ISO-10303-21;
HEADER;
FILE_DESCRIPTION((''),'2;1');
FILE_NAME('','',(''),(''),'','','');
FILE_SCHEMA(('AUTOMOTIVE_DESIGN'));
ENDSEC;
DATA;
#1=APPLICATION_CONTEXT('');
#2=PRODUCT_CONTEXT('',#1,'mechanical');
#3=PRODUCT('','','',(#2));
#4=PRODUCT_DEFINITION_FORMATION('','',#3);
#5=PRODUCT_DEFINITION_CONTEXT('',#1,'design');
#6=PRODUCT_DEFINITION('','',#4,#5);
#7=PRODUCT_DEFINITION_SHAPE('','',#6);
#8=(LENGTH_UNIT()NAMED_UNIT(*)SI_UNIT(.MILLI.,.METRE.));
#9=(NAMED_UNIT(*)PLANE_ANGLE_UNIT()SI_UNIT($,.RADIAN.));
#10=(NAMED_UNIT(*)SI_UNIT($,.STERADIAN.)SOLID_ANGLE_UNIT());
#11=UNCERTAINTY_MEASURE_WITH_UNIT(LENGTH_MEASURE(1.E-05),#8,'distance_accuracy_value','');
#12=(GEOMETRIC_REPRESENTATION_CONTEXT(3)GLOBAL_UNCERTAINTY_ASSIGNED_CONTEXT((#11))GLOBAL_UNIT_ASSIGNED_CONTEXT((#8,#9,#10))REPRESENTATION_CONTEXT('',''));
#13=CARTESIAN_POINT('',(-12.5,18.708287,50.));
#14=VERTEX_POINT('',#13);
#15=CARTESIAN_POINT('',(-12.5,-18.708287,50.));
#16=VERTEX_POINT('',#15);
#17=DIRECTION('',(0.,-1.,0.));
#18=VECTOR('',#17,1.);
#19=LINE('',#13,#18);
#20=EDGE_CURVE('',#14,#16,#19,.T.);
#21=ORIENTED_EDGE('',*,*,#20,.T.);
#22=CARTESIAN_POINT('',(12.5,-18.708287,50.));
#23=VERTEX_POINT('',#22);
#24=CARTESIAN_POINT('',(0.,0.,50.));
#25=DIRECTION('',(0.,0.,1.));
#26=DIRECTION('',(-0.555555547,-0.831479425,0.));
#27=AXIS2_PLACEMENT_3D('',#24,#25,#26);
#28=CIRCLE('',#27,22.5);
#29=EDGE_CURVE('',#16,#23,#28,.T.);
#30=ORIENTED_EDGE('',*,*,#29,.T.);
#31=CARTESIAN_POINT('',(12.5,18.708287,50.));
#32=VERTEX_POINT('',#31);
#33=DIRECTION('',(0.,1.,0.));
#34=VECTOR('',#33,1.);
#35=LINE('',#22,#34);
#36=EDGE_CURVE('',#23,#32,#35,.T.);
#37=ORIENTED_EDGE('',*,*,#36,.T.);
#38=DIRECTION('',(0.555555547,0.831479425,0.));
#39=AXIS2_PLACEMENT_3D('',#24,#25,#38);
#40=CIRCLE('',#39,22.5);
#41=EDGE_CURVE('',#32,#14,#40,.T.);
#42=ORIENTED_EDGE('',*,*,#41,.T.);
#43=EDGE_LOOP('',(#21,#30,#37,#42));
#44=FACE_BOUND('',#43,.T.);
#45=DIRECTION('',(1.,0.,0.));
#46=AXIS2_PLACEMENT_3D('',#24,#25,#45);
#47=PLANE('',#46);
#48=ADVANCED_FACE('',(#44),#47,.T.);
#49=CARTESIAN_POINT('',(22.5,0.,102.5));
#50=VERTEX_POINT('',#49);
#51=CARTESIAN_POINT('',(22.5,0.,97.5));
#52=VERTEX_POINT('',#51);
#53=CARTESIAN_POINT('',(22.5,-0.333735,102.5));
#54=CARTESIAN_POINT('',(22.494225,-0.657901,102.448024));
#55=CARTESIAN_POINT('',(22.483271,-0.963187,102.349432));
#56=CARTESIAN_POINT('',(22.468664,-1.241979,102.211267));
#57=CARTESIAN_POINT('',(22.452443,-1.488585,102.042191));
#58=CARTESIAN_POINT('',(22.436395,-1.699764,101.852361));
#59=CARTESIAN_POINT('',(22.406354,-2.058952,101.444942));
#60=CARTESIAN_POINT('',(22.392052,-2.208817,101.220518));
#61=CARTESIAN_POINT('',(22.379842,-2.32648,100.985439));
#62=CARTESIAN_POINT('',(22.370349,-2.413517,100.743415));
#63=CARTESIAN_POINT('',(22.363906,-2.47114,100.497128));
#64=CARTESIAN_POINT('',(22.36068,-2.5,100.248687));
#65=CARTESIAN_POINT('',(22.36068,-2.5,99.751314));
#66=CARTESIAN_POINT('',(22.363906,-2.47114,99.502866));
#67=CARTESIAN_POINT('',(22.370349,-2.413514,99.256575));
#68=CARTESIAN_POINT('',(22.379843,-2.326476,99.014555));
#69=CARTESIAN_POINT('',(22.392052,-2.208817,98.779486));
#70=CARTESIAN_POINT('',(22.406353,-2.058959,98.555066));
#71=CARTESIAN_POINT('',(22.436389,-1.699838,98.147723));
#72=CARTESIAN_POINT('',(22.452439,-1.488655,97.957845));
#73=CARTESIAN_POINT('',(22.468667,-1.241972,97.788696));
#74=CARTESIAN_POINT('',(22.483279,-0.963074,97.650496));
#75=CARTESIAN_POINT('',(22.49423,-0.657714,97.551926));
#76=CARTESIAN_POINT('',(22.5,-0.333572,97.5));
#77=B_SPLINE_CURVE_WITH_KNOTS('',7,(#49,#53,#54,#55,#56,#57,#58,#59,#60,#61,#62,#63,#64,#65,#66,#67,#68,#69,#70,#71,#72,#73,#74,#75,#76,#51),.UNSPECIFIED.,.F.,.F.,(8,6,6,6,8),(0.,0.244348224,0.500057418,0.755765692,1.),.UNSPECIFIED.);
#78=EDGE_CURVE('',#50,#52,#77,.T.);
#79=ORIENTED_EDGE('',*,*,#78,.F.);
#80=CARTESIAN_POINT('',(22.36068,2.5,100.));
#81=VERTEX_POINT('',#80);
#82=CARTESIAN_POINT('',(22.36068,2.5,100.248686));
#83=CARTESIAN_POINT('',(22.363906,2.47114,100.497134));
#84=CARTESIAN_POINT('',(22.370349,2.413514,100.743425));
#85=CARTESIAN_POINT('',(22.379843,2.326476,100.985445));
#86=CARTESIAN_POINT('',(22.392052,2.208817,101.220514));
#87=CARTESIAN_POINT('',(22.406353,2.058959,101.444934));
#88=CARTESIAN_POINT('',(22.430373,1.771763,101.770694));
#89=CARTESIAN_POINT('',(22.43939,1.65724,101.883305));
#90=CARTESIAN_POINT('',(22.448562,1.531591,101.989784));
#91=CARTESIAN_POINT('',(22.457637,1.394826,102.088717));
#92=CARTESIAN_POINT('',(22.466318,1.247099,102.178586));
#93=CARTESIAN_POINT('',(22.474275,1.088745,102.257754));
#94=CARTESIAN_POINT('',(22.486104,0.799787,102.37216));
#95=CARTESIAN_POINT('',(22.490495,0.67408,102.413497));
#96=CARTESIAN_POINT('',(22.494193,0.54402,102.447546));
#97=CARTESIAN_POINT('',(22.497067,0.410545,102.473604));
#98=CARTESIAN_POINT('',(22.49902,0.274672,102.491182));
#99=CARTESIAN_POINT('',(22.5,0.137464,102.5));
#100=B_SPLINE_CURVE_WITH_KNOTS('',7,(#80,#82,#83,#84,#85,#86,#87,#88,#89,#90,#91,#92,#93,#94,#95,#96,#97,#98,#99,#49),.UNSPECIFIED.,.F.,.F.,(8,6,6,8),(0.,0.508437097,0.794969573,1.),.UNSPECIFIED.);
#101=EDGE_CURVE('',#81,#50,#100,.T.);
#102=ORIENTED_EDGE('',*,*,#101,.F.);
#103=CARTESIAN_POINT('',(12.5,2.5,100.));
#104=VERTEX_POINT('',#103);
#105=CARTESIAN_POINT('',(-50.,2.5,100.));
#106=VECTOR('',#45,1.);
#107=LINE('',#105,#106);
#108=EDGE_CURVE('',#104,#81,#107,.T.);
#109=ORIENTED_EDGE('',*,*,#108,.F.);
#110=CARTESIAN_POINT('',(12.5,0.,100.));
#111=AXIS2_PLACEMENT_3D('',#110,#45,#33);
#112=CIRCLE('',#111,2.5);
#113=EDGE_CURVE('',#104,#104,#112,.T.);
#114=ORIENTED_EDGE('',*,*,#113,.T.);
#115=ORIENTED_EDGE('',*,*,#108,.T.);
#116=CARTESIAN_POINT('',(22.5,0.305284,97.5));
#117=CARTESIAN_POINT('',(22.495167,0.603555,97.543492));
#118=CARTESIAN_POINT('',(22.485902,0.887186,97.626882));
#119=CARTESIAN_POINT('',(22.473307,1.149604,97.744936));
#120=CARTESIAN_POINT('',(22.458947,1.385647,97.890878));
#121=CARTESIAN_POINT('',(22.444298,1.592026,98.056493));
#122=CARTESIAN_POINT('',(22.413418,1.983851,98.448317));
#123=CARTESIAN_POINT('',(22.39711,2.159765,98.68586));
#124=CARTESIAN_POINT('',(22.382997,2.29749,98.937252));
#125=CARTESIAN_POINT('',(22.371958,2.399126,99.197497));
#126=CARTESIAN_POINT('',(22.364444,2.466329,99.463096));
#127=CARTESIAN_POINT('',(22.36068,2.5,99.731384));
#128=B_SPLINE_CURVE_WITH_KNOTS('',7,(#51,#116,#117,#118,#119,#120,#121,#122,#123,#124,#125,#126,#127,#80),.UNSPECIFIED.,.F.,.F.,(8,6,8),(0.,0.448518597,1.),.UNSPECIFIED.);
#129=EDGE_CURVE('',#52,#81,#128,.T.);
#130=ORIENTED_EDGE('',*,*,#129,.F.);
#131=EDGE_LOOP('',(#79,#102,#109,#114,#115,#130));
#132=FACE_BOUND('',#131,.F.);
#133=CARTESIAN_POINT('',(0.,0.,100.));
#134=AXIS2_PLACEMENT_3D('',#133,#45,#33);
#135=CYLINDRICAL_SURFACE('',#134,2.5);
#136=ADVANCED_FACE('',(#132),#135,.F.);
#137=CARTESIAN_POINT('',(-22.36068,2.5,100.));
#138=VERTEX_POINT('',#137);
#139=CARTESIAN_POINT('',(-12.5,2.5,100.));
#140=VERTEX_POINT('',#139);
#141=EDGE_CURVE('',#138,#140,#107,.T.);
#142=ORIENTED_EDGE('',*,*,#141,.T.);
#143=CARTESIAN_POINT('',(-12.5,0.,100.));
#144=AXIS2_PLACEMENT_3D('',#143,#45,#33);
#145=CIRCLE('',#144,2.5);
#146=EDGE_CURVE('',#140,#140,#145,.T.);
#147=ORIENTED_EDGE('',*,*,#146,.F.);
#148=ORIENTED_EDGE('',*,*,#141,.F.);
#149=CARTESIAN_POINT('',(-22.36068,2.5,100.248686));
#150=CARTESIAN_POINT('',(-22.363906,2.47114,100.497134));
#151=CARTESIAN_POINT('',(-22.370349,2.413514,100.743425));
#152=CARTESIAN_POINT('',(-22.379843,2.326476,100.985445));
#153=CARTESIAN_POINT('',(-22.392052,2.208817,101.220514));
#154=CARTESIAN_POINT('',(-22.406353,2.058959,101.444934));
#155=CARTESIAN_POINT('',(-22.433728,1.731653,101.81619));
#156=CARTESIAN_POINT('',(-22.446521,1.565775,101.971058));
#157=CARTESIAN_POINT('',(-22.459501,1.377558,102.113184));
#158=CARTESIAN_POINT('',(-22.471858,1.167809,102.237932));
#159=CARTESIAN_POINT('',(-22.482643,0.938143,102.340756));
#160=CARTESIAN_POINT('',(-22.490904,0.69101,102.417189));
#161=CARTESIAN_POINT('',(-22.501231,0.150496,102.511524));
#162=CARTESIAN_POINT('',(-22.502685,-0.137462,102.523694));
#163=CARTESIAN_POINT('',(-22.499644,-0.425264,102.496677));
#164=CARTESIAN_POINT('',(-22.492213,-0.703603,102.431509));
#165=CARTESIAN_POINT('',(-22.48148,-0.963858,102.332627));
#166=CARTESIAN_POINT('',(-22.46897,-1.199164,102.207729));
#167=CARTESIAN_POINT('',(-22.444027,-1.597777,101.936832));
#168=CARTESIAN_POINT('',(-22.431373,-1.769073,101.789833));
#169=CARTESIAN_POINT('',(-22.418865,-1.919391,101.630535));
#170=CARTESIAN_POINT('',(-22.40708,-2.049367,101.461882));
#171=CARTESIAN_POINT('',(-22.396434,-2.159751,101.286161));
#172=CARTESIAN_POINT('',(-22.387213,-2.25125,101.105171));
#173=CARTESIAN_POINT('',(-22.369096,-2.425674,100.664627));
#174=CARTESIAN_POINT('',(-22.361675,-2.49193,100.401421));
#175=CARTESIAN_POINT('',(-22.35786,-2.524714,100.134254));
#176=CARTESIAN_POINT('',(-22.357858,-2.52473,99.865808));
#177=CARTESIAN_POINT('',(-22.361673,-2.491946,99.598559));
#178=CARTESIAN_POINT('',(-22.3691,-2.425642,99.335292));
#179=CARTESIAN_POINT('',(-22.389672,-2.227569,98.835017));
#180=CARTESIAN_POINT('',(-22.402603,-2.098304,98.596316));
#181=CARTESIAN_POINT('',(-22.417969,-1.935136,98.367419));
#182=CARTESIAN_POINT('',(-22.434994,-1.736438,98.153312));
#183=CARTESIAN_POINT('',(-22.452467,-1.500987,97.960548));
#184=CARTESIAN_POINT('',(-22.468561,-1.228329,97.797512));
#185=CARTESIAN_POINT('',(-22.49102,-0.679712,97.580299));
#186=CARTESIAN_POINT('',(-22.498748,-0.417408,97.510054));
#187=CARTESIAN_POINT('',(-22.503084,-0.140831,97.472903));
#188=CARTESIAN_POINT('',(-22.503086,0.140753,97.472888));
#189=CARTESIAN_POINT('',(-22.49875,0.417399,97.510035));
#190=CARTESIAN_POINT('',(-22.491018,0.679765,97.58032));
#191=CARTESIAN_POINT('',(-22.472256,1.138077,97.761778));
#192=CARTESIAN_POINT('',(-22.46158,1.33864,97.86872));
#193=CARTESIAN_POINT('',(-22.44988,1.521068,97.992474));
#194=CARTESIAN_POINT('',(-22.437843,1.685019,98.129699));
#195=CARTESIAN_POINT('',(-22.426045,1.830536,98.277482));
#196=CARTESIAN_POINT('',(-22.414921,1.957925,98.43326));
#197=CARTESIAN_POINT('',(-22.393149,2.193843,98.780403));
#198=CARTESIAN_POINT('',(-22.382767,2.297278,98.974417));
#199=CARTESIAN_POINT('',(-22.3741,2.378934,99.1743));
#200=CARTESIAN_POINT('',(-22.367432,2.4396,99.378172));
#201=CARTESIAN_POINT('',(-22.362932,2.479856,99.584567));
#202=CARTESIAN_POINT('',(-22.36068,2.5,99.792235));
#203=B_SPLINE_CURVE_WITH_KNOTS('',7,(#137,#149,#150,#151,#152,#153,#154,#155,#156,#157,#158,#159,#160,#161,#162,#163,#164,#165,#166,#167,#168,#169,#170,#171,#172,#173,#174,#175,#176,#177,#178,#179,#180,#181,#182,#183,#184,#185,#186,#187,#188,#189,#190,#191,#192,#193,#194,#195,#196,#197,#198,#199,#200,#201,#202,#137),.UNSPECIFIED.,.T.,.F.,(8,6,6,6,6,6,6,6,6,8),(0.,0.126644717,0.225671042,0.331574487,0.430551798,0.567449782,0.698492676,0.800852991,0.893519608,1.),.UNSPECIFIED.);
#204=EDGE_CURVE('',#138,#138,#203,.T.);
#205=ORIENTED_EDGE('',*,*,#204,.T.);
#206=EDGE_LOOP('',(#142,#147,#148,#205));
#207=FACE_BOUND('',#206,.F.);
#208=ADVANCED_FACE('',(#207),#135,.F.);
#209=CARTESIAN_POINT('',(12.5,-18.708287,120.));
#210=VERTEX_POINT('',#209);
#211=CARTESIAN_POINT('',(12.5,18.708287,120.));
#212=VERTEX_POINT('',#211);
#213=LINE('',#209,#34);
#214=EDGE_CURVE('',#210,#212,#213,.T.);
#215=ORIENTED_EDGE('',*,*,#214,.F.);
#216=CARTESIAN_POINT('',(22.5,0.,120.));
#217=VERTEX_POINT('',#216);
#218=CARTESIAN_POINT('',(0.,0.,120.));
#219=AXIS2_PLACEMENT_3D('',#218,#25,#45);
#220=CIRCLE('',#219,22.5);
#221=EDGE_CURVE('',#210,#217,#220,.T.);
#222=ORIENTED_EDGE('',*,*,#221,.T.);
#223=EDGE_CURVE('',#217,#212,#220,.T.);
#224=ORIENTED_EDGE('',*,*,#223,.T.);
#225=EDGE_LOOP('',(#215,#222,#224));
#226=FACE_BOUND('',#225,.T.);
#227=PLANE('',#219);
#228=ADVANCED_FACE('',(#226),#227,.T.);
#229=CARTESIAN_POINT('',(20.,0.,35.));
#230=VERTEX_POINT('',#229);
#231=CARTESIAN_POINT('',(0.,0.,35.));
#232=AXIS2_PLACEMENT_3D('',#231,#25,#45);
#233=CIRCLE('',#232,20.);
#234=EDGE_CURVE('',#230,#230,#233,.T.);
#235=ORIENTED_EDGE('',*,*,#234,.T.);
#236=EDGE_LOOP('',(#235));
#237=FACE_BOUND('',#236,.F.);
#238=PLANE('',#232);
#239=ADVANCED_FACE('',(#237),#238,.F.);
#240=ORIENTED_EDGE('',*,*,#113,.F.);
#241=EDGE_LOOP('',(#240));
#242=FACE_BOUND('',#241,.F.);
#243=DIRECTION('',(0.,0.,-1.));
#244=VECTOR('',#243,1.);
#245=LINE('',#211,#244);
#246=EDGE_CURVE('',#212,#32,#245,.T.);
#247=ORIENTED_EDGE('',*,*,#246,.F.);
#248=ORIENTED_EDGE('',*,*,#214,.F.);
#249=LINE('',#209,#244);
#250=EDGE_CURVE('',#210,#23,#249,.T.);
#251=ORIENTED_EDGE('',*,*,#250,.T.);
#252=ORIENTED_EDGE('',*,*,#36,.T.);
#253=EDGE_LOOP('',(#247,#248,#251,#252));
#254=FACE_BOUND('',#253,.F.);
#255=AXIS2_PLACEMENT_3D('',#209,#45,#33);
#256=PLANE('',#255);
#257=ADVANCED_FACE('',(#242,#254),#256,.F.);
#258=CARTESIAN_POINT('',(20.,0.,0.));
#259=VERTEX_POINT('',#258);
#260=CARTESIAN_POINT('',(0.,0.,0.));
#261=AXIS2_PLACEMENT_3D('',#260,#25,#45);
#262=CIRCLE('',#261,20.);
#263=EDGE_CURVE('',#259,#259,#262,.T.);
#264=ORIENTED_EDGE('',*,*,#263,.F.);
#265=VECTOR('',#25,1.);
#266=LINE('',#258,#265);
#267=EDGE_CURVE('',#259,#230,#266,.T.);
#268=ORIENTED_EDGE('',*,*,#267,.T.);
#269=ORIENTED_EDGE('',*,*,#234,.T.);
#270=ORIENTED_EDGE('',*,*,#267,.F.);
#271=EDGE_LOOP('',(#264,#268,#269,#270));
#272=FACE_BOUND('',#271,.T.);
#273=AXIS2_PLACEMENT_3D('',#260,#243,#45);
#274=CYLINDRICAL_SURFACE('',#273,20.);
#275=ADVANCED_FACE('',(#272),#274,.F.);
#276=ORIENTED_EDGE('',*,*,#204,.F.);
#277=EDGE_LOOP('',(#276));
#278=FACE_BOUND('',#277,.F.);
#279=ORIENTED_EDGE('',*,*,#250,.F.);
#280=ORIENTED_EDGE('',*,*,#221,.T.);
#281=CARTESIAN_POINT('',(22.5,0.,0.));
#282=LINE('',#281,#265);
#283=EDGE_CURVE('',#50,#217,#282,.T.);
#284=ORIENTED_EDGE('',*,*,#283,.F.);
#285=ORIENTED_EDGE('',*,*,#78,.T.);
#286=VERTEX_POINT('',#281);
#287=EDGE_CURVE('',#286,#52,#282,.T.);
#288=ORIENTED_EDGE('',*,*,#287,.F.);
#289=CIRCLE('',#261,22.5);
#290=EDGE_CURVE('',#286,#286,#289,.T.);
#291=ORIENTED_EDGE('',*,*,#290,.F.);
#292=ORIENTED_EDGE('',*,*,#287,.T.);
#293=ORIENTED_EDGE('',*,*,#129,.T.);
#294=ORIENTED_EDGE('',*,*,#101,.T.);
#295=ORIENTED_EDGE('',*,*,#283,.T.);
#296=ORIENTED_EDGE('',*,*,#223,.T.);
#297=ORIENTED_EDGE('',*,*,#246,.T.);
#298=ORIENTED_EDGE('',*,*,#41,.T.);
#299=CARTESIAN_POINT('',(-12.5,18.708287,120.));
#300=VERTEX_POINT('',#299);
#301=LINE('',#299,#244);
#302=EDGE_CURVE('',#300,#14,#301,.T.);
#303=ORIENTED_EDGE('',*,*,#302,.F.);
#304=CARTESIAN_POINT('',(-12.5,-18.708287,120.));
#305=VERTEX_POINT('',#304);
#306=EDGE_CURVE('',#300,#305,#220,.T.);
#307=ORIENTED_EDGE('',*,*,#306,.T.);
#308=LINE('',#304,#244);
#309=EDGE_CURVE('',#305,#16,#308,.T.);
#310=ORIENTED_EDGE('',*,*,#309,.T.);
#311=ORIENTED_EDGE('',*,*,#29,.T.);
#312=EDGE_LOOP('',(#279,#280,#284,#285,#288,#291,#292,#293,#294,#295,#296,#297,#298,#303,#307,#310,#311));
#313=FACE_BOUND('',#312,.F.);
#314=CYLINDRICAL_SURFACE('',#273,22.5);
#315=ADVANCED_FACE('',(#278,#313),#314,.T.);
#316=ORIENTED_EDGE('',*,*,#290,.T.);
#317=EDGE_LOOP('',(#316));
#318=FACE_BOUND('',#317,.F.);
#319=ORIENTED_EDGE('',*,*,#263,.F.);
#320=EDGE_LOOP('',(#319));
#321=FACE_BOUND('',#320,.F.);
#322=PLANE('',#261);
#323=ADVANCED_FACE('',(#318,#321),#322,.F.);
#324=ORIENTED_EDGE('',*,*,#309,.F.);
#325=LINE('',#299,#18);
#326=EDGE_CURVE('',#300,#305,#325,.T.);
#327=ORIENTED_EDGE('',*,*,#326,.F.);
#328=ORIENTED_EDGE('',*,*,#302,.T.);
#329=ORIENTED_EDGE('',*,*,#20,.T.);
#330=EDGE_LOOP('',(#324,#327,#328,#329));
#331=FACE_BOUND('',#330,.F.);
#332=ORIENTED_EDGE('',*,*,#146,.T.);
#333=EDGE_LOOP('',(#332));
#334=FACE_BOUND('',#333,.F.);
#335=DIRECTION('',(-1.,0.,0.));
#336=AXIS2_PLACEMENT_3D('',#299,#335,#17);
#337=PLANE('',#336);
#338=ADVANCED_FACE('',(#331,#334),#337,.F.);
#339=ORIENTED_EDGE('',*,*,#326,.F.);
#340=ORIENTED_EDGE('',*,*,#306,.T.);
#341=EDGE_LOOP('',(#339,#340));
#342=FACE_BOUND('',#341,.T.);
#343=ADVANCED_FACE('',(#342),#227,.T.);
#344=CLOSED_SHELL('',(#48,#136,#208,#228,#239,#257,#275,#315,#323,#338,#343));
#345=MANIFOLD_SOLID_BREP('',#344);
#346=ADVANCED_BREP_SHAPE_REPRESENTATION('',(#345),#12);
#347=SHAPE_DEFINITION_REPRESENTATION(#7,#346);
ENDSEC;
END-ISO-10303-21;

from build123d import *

# Parameters (mm, degrees)
F0_R     = 22.5
F1_DEPTH = 120
F3_DEPTH = 70
F4_R     = 20
F5_DEPTH = 35
F6_R     = 2.5
F7_DEPTH = 50


with BuildPart() as f1:
    # F0 (on Top) → F1 (new body)
    with BuildSketch(Plane.XY):
        Circle(F0_R)
    extrude(amount=F1_DEPTH)

    # F2 (on face) → F3 (cut)
    with BuildSketch(Plane.XY.offset(120)):
        with BuildLine():
            ThreePointArc((12.5, 18.708287), (0, 22.5), (-12.5, 18.708287))
            Line((-12.5, 18.708287), (-12.5, -18.708287))
            ThreePointArc((-12.5, -18.708287), (0, -22.5), (12.5, -18.708287))
            Line((12.5, -18.708287), (12.5, 18.708287))
        make_face()
    extrude(amount=-F3_DEPTH, mode=Mode.SUBTRACT)

    # F4 (on Top) → F5 (cut)
    with BuildSketch(Plane.XY):
        Circle(F4_R)
    extrude(amount=F5_DEPTH, mode=Mode.SUBTRACT)

    # F6 (on Right) → F7 (cut, symmetric)
    with BuildSketch(Plane.YZ):
        with Locations((0, 100)):
            Circle(F6_R)
    extrude(amount=F7_DEPTH, both=True, mode=Mode.SUBTRACT)


solid = f1.part
